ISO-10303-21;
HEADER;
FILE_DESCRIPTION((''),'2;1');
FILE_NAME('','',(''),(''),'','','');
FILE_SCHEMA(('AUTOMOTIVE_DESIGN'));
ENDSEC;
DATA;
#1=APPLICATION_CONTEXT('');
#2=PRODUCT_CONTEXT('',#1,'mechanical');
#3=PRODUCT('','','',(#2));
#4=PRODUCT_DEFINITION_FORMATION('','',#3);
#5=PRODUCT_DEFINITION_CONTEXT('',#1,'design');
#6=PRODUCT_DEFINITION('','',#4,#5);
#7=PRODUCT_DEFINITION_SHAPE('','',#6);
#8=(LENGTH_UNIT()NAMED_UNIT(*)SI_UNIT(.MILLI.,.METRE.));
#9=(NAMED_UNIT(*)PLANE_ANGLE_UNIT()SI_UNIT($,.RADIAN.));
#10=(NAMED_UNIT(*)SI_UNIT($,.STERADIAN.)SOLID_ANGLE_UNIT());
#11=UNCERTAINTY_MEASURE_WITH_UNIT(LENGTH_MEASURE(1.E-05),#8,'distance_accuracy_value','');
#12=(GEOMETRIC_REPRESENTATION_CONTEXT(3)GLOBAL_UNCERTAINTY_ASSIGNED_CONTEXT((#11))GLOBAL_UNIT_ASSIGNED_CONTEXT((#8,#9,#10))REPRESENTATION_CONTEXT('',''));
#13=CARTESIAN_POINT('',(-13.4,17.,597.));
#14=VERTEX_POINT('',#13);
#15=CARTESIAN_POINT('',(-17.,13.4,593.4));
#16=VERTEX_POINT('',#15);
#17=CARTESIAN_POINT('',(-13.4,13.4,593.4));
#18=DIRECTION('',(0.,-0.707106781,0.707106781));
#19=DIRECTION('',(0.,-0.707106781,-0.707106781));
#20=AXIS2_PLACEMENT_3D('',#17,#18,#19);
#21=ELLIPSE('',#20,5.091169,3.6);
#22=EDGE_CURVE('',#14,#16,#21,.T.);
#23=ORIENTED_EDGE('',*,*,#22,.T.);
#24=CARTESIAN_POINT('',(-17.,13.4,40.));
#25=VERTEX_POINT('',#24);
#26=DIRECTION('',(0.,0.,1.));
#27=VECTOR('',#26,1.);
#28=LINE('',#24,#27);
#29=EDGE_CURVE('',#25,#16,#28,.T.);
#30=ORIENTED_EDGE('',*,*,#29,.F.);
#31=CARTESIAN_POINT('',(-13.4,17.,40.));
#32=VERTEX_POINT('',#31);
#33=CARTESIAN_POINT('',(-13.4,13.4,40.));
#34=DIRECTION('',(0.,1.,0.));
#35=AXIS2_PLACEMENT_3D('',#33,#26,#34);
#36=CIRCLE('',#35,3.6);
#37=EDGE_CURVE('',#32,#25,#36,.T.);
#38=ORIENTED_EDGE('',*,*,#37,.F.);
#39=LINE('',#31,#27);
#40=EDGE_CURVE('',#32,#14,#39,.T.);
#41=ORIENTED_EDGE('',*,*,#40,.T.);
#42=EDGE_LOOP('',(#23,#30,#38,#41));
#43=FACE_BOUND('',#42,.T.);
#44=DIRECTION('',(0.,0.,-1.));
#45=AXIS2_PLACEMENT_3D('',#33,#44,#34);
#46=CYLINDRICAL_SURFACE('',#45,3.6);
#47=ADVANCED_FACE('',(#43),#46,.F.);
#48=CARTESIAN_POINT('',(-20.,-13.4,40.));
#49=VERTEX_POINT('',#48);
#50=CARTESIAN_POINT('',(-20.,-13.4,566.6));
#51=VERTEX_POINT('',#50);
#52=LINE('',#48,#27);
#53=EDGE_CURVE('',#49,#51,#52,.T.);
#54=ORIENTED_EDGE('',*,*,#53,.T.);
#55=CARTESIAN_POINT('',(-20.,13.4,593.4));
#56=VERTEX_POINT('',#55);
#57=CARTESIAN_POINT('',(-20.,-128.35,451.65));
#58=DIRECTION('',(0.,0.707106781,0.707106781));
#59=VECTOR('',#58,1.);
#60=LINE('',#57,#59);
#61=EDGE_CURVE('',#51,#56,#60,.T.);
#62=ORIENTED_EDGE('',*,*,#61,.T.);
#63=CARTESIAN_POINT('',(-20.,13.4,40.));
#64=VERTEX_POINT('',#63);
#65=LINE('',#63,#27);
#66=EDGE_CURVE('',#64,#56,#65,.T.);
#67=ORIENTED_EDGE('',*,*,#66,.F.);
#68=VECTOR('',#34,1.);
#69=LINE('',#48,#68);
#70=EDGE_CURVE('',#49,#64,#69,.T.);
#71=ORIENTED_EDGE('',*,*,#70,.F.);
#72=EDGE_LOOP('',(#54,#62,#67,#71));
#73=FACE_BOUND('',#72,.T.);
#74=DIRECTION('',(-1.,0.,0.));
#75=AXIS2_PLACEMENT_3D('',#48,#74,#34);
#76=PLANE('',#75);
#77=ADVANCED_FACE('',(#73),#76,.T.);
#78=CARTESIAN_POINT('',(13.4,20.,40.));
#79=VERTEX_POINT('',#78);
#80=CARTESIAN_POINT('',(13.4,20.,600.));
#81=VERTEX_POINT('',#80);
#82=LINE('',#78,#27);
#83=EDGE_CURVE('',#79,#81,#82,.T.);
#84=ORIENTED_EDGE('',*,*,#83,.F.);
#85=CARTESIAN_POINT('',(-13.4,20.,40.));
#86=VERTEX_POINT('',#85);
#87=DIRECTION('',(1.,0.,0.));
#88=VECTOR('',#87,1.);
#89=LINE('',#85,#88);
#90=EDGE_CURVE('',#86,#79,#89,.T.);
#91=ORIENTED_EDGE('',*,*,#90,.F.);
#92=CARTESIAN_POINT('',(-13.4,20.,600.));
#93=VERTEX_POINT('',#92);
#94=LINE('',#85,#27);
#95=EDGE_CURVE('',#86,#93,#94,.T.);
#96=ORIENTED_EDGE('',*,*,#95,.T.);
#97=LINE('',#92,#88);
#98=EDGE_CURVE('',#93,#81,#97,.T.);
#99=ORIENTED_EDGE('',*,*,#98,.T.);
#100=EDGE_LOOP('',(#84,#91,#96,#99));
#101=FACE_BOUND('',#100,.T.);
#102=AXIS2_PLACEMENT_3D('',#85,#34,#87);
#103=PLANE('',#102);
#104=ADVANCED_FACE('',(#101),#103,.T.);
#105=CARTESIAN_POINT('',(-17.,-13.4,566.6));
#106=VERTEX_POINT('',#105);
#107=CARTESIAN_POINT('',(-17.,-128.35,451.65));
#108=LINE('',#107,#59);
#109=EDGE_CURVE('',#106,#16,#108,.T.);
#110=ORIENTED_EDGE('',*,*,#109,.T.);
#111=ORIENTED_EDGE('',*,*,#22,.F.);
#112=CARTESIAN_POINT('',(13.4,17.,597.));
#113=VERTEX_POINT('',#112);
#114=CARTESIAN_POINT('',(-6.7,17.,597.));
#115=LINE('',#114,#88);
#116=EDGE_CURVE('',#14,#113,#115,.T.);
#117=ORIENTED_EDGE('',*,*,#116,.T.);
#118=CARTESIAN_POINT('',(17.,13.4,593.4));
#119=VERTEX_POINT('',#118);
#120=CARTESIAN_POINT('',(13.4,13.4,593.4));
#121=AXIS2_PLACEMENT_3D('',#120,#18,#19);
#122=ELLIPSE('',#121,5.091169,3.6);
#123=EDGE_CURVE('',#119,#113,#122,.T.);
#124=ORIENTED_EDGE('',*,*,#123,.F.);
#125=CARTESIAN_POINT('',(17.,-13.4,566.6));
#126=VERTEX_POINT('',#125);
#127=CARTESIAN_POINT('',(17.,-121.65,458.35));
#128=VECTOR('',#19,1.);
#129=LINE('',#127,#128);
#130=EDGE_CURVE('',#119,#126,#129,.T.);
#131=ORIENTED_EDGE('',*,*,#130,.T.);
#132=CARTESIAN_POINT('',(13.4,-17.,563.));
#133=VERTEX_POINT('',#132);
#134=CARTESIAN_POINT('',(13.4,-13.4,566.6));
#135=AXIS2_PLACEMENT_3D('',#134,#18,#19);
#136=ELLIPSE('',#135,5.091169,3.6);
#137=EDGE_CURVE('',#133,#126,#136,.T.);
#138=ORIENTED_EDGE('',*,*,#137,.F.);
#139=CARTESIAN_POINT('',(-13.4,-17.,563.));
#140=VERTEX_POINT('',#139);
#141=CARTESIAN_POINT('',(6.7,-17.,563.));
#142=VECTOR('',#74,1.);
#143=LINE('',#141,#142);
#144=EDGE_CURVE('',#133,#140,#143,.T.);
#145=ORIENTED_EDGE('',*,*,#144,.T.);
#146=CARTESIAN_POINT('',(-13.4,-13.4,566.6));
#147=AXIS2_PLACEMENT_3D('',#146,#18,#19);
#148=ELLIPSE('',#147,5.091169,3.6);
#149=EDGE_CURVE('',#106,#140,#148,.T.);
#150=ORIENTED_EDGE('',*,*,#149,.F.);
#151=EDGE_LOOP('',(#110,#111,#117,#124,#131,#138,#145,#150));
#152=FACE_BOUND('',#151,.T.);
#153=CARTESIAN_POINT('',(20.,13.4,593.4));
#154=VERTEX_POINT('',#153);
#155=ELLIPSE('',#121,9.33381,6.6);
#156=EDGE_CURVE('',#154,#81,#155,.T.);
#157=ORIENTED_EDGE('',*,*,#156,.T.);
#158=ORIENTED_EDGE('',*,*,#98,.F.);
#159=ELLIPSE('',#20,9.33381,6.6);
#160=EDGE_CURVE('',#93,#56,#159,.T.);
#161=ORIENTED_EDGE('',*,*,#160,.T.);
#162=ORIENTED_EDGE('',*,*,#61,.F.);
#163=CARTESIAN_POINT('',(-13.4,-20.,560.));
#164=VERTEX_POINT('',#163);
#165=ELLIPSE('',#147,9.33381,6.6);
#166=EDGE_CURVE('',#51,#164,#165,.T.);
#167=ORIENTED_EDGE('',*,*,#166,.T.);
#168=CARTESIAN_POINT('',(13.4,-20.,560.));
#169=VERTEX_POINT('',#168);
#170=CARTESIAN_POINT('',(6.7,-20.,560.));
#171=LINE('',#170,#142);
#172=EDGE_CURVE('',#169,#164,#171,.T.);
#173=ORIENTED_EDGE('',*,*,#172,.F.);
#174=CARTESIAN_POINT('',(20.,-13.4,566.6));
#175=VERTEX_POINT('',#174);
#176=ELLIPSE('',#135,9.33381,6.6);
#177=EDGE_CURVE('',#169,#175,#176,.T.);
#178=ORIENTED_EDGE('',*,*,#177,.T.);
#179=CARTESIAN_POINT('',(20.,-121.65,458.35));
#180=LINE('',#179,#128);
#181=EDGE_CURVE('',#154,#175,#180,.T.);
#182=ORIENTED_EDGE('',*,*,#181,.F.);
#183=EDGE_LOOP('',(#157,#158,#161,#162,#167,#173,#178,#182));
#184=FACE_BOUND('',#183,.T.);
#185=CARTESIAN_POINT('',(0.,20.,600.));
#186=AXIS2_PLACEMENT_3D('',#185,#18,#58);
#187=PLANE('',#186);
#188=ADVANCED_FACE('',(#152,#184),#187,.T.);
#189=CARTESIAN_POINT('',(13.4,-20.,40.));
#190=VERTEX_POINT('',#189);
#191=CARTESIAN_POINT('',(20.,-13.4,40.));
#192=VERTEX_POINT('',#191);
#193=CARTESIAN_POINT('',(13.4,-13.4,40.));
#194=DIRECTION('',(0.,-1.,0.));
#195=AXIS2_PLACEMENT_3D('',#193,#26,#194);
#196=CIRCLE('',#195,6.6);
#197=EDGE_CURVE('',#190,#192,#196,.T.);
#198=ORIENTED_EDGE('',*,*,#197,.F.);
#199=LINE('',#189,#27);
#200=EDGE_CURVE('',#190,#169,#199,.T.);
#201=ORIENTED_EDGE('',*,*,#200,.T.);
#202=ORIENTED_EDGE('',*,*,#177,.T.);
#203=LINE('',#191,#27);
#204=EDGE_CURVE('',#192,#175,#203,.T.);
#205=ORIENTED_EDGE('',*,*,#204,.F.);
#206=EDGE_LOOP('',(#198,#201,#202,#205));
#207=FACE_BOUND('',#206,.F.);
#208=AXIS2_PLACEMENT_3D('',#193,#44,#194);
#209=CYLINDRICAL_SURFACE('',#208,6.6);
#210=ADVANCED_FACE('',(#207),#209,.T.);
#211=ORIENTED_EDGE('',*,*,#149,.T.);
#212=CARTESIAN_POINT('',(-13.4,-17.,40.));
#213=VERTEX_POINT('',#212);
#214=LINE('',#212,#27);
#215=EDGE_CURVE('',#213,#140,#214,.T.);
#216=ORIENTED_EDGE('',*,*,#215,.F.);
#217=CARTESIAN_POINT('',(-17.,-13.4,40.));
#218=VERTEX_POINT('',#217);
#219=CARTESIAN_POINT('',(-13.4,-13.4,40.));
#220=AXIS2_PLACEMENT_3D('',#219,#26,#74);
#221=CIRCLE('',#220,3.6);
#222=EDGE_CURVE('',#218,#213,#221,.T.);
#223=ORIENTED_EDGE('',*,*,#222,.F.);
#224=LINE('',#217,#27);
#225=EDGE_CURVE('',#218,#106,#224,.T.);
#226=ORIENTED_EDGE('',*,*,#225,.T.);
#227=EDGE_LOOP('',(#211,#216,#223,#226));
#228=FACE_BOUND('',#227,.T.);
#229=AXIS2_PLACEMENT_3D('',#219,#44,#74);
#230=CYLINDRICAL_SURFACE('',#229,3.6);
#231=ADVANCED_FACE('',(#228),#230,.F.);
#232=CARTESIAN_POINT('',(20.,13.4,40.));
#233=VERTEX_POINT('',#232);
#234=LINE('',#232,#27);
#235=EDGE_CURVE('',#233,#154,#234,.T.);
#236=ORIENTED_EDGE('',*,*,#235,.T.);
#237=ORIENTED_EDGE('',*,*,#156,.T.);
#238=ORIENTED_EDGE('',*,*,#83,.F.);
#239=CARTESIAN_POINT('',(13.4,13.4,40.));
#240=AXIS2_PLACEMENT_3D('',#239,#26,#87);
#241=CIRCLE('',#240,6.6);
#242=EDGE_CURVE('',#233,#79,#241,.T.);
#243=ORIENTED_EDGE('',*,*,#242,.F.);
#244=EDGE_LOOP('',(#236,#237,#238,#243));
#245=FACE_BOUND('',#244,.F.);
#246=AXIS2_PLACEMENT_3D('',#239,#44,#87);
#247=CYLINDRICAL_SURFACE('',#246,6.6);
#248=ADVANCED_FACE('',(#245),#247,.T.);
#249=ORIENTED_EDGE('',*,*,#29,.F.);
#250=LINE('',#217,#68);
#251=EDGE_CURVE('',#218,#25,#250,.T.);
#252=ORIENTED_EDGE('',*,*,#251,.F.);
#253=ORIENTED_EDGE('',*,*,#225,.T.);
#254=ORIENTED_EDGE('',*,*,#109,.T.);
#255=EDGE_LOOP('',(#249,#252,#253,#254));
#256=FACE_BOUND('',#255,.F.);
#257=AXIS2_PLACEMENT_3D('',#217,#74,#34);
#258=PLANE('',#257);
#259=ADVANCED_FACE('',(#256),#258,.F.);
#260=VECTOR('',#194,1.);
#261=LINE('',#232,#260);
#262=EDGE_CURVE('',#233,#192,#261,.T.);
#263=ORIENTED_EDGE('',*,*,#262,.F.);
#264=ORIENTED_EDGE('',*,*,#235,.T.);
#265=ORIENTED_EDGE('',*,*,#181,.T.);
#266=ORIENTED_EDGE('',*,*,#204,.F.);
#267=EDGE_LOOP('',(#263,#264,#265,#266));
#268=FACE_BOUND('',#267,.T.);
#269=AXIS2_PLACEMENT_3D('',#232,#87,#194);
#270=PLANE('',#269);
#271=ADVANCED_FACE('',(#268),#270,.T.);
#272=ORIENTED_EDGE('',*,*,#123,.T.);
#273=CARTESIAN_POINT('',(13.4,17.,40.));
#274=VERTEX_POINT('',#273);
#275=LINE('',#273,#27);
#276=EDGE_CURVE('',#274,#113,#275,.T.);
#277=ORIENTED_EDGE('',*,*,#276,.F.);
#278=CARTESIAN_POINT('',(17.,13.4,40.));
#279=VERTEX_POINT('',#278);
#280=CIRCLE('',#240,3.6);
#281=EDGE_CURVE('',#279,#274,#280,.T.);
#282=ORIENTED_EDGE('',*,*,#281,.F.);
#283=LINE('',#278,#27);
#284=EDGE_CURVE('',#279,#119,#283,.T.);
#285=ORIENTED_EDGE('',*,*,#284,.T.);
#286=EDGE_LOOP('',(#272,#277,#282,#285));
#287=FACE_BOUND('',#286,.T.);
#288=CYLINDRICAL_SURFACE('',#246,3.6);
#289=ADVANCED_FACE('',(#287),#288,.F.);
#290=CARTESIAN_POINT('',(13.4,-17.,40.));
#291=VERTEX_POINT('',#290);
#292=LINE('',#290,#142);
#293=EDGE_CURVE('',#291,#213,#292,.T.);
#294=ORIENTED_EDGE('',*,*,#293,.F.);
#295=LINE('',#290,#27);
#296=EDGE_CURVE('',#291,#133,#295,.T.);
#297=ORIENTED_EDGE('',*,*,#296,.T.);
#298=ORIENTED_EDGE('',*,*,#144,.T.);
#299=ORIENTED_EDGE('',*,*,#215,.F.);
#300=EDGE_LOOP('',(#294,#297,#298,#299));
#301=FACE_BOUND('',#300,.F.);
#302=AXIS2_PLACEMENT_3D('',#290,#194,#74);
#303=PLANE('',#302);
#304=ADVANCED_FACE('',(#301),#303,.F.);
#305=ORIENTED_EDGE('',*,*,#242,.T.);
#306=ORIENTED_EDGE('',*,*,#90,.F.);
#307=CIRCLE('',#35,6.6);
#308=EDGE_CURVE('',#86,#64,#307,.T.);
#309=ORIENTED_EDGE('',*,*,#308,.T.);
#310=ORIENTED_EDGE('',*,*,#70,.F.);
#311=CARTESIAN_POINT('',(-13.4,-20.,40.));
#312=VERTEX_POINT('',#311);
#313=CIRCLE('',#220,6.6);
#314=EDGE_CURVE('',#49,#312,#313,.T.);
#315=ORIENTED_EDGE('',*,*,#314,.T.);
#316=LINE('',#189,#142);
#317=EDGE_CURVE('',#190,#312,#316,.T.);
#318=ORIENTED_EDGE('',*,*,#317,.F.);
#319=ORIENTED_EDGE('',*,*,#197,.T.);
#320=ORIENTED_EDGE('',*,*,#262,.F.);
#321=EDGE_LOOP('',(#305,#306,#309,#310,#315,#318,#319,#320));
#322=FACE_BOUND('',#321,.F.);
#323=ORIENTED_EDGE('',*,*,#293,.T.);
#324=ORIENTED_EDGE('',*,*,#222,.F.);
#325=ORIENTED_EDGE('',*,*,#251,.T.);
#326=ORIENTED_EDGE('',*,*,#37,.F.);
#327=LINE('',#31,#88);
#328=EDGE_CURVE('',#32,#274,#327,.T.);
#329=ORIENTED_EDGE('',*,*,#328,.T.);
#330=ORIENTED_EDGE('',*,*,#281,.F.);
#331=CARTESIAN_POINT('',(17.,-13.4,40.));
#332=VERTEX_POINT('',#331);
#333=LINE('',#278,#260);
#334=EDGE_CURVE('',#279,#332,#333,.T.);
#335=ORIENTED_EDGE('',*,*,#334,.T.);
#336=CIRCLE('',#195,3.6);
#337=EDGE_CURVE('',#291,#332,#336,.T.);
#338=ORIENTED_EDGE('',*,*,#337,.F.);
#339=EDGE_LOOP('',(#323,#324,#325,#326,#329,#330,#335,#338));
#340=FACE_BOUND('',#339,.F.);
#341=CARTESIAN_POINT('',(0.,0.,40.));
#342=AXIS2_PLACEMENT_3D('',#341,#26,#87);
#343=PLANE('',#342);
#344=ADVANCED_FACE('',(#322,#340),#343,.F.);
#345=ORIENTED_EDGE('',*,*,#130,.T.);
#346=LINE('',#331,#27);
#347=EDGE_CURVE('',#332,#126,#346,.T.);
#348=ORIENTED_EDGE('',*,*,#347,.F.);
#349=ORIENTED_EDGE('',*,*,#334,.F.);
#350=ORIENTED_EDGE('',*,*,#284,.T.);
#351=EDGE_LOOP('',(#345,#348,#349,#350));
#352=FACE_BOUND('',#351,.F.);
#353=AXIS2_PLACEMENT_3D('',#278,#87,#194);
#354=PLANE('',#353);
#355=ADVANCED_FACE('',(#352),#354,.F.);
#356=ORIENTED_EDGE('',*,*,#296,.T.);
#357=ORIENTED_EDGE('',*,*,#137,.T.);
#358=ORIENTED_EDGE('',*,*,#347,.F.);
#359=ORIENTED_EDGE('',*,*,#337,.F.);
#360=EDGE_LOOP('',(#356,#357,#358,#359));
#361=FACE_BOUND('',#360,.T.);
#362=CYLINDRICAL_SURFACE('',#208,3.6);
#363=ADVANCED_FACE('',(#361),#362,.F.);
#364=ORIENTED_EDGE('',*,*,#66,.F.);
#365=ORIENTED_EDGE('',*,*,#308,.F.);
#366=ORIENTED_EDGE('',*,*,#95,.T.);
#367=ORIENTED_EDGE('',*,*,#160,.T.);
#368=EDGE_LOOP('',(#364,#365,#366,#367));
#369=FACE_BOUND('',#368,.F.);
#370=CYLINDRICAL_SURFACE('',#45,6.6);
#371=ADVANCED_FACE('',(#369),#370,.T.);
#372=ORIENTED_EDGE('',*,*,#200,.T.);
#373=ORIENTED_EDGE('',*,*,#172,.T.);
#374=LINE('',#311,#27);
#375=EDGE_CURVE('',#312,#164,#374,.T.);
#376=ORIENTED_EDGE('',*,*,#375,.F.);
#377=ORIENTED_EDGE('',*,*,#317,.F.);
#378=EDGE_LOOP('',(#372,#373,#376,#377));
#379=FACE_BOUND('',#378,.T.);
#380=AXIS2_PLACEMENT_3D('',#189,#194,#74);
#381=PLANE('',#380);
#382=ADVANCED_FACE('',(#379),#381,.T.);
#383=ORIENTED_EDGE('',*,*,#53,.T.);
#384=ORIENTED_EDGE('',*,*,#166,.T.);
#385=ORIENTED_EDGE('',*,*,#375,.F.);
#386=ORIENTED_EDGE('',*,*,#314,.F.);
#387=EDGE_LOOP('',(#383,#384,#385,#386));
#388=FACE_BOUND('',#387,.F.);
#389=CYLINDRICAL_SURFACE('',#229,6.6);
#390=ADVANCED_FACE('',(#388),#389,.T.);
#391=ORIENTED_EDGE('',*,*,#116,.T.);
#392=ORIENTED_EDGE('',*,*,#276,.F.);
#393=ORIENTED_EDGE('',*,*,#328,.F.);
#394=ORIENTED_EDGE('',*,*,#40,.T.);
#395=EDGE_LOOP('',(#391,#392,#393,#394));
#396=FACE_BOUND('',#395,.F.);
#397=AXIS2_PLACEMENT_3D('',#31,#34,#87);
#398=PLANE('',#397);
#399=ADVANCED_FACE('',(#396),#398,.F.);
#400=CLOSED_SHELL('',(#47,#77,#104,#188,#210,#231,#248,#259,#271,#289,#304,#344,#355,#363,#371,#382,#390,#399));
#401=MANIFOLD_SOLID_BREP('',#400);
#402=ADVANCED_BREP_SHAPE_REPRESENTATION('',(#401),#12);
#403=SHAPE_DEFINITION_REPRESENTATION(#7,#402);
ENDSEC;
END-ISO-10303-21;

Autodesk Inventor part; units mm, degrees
ref_plane "Start plane" through (0, 0, 40) normal (0, 0, 1) x (1, 0, 0)
ref_plane "End plane" through (0, 0, 600) normal (0, 0, 1) x (1, 0, 0)
sketch "Sketch" plane through (0, 0, 0) normal (0, 0, 1) x (1, 0, 0)
  line L0 (-20, -13.4) -> (-20, 13.4)
  line L1 (-13.4, 20) -> (13.4, 20)
  line L2 (20, 13.4) -> (20, -13.4)
  line L3 (13.4, -20) -> (-13.4, -20)
  arc A0 (-20, -13.4) -> (-13.4, -20) centre (-13.4, -13.4) ccw
  arc A1 (-13.4, 20) -> (-20, 13.4) centre (-13.4, 13.4) ccw
  arc A2 (20, 13.4) -> (13.4, 20) centre (13.4, 13.4) ccw
  arc A3 (13.4, -20) -> (20, -13.4) centre (13.4, -13.4) ccw
  arc A4 (-13.4, 17) -> (-17, 13.4) centre (-13.4, 13.4) ccw
  line L4 (-13.4, 17) -> (13.4, 17)
  arc A5 (17, 13.4) -> (13.4, 17) centre (13.4, 13.4) ccw
  line L5 (17, 13.4) -> (17, -13.4)
  arc A6 (13.4, -17) -> (17, -13.4) centre (13.4, -13.4) ccw
  line L6 (13.4, -17) -> (-13.4, -17)
  arc A7 (-17, -13.4) -> (-13.4, -17) centre (-13.4, -13.4) ccw
  line L7 (-17, -13.4) -> (-17, 13.4)
  line L8 (0, 29.9137) -> (0, -29.9137) construction
  line L9 (-29.9137, 0) -> (29.9137, 0) construction
  dimension "d7" = 6.6
  dimension "d10" = 40
  dimension "d11" = 40
  dimension "d12" = 3
  dimension "d15" = 20
  dimension "d16" = 20
extrude "Body" add sketch "Sketch" along normal up to surface (560 mm away) from surface at 40
sketch "Sketch3" plane through (0, 0, 0) normal (0, 0, 1) x (1, 0, 0)
  line L0 (0, 0) -> (10, 0)
ref_plane "Work Plane3" through (0, 0, 0) normal (0, -1, 0) x (1, 0, 0)
sketch "Sketch4" plane through (0, 0, 0) normal (0, -1, 0) x (1, 0, 0)
  line L0 (-2, 40) -> (12, 40)
  line L1 (-2, 600) -> (12, 600)
  dimension "d18" = 560
ref_plane "Work Plane4" through (380, -597.6, 40) normal (0, 0, -1) x (-1, 0, 0)
split "Split1" plane through (380, -597.6, 40) removes the side toward (0, 0, -1)
ref_plane "Work Plane5" through (0, 20, 600) normal (0, -0.7071, 0.7071) x (1, 0, 0)
split "Split2" plane through (0, 20, 600) removes the side toward (0, -0.7071, 0.7071)
ref_plane "Work Plane6" through (380, 13.4, 40) normal (0, 0, -1) x (-1, 0, 0)
split "Split3" plane through (380, 13.4, 40) removes the side toward (0, 0, -1)
equation "\"d7\" = G_IR"
equation "\"d10\" = G_H"
equation "\"d11\" = G_W"
equation "\"d12\" = G_T"
equation "\"d15\" = 0.5 * d10"
equation "\"d16\" = 0.5 * d11"
equation "\"d3\" = G_L"
equation "\"G_W\" = 40"
equation "\"G_H\" = 40"
equation "\"G_T\" = 3"
equation "\"G_IR\" = 6.6"
equation "\"G_L\" = d18"
equation "\"G_OFFSET_END\" = 0"
properties part number "DIN EN 10305-5 - 40 x 40 x 3  - 560" material "Steel, Mild"
